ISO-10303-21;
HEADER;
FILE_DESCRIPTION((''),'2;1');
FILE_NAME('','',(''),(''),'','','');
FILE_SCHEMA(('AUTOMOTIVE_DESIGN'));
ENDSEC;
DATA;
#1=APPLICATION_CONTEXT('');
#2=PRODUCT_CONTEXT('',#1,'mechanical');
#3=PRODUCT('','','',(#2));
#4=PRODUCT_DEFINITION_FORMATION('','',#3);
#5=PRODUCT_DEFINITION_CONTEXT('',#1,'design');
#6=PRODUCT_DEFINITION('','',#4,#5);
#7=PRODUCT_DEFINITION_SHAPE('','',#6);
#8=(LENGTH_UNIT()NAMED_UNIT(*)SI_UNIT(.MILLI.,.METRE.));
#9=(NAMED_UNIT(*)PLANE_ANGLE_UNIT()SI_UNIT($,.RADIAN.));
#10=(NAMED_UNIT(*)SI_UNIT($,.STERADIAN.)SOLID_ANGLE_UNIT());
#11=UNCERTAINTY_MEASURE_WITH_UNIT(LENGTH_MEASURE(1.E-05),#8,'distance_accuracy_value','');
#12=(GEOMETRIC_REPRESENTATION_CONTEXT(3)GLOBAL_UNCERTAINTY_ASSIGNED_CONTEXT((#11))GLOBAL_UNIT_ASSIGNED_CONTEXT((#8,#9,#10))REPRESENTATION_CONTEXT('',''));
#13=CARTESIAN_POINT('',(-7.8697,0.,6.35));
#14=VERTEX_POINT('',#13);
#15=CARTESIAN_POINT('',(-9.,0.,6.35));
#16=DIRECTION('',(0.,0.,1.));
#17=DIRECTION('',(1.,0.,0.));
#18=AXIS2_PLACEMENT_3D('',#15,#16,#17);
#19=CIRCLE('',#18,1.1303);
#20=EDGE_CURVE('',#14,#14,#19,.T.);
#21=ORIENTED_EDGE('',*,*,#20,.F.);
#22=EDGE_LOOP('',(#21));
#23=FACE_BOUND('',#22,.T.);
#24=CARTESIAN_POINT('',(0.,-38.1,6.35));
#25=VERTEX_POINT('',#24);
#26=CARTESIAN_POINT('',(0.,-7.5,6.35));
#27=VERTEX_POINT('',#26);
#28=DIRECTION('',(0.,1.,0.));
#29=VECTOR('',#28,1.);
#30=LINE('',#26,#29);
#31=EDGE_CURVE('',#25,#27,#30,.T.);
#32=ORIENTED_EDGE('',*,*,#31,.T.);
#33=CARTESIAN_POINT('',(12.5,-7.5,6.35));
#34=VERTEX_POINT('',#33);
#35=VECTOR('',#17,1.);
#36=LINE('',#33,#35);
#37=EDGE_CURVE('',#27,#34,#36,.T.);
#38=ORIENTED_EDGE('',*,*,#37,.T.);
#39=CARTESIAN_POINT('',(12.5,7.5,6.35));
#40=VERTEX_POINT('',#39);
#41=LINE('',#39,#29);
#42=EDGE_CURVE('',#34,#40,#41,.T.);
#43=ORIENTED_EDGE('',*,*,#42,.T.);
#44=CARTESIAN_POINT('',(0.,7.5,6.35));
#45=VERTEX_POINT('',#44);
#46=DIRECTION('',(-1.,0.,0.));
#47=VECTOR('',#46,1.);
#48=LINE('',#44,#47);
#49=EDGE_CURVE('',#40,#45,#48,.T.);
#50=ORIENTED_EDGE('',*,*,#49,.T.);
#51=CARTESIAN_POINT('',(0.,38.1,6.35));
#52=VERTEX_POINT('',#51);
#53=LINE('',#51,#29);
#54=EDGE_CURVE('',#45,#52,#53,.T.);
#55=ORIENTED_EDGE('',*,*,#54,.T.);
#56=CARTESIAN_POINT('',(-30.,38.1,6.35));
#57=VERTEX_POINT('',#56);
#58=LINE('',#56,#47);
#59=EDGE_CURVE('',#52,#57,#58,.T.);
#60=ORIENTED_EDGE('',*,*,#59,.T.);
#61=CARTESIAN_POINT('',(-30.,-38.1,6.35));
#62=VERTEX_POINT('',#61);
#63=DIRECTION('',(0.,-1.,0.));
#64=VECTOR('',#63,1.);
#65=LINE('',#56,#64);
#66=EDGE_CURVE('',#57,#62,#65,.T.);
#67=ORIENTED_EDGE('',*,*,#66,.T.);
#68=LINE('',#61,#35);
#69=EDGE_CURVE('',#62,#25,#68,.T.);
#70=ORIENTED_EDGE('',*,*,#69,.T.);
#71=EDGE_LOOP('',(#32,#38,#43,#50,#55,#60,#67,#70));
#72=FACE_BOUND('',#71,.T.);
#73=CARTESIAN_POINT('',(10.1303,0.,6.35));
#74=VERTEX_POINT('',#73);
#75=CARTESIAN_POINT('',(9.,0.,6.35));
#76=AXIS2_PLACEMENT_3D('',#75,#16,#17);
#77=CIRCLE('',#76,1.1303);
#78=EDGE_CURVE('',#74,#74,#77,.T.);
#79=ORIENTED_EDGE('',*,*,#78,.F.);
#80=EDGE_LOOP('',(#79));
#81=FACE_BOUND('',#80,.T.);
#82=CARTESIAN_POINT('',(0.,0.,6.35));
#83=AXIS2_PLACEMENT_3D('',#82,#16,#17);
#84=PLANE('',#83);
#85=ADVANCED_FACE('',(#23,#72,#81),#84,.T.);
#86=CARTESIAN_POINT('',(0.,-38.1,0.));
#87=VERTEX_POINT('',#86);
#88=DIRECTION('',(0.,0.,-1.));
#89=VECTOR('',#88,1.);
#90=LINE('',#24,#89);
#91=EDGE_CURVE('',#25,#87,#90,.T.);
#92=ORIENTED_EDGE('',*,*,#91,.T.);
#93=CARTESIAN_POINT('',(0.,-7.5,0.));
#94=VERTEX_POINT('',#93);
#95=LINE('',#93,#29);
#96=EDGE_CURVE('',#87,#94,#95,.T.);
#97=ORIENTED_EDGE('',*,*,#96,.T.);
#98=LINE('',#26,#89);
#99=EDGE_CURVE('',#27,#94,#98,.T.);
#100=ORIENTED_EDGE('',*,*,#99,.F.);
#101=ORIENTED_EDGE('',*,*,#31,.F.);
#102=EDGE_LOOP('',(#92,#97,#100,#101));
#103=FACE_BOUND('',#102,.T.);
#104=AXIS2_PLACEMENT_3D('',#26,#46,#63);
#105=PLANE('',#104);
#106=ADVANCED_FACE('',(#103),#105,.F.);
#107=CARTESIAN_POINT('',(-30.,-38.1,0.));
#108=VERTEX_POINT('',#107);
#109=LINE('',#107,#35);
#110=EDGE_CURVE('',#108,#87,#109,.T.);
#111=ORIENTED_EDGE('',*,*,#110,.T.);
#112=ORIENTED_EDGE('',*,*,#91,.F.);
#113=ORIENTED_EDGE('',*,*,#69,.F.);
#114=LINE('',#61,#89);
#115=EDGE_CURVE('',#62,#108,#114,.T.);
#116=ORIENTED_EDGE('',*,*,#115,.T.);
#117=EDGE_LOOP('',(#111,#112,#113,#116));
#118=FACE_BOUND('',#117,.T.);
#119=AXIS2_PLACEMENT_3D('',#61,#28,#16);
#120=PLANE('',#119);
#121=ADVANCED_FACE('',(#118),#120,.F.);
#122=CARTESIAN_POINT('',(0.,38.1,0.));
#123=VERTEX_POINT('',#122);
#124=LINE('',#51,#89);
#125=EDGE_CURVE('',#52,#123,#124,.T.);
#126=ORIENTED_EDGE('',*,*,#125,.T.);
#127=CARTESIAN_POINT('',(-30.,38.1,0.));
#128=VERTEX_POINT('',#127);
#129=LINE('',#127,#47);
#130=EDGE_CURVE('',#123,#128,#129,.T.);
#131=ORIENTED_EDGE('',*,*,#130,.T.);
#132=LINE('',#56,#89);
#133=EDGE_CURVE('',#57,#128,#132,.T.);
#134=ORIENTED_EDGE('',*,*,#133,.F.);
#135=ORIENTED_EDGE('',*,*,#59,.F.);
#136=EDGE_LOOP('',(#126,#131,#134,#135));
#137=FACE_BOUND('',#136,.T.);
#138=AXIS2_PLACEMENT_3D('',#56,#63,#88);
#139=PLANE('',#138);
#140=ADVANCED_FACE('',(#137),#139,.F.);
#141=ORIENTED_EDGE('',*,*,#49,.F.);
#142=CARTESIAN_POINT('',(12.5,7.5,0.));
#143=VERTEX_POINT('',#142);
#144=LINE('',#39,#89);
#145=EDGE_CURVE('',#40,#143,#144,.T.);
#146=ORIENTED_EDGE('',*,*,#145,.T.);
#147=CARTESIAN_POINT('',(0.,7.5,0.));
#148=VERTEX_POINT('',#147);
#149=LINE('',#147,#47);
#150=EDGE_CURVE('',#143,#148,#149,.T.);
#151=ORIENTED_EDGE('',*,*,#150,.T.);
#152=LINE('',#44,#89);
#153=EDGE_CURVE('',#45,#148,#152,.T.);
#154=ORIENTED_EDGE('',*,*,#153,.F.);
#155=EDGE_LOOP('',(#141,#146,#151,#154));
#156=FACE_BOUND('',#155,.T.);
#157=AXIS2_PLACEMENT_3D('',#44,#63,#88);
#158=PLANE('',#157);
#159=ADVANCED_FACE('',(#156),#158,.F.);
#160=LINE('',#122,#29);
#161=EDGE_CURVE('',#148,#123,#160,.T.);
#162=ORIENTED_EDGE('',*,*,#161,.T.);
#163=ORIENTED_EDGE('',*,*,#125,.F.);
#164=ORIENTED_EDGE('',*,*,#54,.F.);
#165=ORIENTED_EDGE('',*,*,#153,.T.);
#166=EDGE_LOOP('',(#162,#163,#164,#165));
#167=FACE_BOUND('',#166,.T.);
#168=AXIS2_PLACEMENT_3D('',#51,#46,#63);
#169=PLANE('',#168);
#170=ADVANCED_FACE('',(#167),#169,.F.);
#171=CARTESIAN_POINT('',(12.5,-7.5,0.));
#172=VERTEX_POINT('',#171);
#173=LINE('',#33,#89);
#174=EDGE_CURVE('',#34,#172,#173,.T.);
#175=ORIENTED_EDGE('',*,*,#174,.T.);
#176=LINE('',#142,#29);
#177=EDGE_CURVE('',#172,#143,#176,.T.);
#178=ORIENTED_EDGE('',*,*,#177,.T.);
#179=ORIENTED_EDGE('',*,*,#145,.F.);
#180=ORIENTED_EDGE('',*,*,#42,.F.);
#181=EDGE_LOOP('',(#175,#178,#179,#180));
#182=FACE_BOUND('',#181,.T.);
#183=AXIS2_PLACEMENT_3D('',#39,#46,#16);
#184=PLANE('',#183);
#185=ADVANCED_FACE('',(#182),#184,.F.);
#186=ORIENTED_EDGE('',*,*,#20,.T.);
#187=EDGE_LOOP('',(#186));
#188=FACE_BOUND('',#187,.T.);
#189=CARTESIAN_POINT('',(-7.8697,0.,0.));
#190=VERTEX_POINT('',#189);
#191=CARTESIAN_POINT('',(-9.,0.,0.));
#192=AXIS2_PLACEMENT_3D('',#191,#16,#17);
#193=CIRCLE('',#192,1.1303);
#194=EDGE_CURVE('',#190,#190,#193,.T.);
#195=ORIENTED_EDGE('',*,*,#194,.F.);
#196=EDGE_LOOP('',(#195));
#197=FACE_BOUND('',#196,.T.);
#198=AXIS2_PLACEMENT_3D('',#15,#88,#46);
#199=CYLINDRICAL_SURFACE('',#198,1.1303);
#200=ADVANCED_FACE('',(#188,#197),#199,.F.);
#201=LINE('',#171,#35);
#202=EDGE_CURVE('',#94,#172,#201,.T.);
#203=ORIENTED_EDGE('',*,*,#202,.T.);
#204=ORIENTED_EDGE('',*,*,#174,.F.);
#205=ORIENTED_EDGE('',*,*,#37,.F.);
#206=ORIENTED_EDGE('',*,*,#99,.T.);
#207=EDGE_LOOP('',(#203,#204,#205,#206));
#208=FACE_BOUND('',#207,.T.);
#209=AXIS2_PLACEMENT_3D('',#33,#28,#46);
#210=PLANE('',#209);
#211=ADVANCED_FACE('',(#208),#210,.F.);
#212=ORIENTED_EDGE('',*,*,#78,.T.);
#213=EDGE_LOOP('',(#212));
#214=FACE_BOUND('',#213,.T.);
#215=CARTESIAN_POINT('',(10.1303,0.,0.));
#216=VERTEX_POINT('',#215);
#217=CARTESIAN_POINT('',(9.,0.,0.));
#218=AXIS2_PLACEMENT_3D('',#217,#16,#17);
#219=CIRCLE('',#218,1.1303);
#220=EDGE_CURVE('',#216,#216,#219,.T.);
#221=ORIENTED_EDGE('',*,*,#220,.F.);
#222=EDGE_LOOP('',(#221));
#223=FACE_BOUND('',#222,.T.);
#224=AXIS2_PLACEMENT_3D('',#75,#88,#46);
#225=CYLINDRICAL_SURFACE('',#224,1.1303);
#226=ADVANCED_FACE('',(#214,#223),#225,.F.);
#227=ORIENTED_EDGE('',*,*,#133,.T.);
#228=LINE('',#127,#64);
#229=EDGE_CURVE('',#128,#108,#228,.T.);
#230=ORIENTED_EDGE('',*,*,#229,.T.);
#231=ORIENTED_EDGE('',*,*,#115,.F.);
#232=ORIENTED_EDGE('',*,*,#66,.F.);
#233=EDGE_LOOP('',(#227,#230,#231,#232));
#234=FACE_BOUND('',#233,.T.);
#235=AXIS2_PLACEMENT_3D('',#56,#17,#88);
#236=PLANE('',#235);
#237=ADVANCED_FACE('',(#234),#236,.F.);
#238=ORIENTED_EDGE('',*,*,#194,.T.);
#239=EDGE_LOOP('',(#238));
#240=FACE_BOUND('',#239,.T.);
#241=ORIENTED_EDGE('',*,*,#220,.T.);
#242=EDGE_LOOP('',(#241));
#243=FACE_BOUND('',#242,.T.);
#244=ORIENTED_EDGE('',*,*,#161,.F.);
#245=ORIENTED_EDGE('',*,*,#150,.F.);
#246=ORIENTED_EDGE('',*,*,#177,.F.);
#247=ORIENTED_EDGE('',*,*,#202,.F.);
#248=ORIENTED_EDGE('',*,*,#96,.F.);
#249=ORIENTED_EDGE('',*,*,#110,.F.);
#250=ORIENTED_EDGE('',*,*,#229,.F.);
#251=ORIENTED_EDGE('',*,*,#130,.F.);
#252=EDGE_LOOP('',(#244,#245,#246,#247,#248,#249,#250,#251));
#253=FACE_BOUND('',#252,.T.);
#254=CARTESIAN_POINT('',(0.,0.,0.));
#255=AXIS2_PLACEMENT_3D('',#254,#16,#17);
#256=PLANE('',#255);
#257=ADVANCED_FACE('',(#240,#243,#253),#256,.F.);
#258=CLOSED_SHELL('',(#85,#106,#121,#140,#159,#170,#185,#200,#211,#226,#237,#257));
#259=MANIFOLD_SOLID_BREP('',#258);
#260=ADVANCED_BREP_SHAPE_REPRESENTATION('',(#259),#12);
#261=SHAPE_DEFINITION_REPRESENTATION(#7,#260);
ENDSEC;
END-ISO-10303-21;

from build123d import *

# Parameters (mm, degrees)
SKETCH1_R           = 1.1303
BOSS_EXTRUDE1_DEPTH = 6.35


with BuildPart() as part:
    # Sketch1 → Boss-Extrude1 (new body)
    with BuildSketch(Plane.XY):
        Polygon((0, -7.5), (0, -38.1), (-30, -38.1), (-30, 38.1), (0, 38.1), (0, 7.5), (12.5, 7.5), (12.5, -7.5), align=None)
        with Locations((-9, 0)):
            Circle(SKETCH1_R, mode=Mode.SUBTRACT)
        with Locations((9, 0)):
            Circle(SKETCH1_R, mode=Mode.SUBTRACT)
    extrude(amount=BOSS_EXTRUDE1_DEPTH)


solid = part.part
